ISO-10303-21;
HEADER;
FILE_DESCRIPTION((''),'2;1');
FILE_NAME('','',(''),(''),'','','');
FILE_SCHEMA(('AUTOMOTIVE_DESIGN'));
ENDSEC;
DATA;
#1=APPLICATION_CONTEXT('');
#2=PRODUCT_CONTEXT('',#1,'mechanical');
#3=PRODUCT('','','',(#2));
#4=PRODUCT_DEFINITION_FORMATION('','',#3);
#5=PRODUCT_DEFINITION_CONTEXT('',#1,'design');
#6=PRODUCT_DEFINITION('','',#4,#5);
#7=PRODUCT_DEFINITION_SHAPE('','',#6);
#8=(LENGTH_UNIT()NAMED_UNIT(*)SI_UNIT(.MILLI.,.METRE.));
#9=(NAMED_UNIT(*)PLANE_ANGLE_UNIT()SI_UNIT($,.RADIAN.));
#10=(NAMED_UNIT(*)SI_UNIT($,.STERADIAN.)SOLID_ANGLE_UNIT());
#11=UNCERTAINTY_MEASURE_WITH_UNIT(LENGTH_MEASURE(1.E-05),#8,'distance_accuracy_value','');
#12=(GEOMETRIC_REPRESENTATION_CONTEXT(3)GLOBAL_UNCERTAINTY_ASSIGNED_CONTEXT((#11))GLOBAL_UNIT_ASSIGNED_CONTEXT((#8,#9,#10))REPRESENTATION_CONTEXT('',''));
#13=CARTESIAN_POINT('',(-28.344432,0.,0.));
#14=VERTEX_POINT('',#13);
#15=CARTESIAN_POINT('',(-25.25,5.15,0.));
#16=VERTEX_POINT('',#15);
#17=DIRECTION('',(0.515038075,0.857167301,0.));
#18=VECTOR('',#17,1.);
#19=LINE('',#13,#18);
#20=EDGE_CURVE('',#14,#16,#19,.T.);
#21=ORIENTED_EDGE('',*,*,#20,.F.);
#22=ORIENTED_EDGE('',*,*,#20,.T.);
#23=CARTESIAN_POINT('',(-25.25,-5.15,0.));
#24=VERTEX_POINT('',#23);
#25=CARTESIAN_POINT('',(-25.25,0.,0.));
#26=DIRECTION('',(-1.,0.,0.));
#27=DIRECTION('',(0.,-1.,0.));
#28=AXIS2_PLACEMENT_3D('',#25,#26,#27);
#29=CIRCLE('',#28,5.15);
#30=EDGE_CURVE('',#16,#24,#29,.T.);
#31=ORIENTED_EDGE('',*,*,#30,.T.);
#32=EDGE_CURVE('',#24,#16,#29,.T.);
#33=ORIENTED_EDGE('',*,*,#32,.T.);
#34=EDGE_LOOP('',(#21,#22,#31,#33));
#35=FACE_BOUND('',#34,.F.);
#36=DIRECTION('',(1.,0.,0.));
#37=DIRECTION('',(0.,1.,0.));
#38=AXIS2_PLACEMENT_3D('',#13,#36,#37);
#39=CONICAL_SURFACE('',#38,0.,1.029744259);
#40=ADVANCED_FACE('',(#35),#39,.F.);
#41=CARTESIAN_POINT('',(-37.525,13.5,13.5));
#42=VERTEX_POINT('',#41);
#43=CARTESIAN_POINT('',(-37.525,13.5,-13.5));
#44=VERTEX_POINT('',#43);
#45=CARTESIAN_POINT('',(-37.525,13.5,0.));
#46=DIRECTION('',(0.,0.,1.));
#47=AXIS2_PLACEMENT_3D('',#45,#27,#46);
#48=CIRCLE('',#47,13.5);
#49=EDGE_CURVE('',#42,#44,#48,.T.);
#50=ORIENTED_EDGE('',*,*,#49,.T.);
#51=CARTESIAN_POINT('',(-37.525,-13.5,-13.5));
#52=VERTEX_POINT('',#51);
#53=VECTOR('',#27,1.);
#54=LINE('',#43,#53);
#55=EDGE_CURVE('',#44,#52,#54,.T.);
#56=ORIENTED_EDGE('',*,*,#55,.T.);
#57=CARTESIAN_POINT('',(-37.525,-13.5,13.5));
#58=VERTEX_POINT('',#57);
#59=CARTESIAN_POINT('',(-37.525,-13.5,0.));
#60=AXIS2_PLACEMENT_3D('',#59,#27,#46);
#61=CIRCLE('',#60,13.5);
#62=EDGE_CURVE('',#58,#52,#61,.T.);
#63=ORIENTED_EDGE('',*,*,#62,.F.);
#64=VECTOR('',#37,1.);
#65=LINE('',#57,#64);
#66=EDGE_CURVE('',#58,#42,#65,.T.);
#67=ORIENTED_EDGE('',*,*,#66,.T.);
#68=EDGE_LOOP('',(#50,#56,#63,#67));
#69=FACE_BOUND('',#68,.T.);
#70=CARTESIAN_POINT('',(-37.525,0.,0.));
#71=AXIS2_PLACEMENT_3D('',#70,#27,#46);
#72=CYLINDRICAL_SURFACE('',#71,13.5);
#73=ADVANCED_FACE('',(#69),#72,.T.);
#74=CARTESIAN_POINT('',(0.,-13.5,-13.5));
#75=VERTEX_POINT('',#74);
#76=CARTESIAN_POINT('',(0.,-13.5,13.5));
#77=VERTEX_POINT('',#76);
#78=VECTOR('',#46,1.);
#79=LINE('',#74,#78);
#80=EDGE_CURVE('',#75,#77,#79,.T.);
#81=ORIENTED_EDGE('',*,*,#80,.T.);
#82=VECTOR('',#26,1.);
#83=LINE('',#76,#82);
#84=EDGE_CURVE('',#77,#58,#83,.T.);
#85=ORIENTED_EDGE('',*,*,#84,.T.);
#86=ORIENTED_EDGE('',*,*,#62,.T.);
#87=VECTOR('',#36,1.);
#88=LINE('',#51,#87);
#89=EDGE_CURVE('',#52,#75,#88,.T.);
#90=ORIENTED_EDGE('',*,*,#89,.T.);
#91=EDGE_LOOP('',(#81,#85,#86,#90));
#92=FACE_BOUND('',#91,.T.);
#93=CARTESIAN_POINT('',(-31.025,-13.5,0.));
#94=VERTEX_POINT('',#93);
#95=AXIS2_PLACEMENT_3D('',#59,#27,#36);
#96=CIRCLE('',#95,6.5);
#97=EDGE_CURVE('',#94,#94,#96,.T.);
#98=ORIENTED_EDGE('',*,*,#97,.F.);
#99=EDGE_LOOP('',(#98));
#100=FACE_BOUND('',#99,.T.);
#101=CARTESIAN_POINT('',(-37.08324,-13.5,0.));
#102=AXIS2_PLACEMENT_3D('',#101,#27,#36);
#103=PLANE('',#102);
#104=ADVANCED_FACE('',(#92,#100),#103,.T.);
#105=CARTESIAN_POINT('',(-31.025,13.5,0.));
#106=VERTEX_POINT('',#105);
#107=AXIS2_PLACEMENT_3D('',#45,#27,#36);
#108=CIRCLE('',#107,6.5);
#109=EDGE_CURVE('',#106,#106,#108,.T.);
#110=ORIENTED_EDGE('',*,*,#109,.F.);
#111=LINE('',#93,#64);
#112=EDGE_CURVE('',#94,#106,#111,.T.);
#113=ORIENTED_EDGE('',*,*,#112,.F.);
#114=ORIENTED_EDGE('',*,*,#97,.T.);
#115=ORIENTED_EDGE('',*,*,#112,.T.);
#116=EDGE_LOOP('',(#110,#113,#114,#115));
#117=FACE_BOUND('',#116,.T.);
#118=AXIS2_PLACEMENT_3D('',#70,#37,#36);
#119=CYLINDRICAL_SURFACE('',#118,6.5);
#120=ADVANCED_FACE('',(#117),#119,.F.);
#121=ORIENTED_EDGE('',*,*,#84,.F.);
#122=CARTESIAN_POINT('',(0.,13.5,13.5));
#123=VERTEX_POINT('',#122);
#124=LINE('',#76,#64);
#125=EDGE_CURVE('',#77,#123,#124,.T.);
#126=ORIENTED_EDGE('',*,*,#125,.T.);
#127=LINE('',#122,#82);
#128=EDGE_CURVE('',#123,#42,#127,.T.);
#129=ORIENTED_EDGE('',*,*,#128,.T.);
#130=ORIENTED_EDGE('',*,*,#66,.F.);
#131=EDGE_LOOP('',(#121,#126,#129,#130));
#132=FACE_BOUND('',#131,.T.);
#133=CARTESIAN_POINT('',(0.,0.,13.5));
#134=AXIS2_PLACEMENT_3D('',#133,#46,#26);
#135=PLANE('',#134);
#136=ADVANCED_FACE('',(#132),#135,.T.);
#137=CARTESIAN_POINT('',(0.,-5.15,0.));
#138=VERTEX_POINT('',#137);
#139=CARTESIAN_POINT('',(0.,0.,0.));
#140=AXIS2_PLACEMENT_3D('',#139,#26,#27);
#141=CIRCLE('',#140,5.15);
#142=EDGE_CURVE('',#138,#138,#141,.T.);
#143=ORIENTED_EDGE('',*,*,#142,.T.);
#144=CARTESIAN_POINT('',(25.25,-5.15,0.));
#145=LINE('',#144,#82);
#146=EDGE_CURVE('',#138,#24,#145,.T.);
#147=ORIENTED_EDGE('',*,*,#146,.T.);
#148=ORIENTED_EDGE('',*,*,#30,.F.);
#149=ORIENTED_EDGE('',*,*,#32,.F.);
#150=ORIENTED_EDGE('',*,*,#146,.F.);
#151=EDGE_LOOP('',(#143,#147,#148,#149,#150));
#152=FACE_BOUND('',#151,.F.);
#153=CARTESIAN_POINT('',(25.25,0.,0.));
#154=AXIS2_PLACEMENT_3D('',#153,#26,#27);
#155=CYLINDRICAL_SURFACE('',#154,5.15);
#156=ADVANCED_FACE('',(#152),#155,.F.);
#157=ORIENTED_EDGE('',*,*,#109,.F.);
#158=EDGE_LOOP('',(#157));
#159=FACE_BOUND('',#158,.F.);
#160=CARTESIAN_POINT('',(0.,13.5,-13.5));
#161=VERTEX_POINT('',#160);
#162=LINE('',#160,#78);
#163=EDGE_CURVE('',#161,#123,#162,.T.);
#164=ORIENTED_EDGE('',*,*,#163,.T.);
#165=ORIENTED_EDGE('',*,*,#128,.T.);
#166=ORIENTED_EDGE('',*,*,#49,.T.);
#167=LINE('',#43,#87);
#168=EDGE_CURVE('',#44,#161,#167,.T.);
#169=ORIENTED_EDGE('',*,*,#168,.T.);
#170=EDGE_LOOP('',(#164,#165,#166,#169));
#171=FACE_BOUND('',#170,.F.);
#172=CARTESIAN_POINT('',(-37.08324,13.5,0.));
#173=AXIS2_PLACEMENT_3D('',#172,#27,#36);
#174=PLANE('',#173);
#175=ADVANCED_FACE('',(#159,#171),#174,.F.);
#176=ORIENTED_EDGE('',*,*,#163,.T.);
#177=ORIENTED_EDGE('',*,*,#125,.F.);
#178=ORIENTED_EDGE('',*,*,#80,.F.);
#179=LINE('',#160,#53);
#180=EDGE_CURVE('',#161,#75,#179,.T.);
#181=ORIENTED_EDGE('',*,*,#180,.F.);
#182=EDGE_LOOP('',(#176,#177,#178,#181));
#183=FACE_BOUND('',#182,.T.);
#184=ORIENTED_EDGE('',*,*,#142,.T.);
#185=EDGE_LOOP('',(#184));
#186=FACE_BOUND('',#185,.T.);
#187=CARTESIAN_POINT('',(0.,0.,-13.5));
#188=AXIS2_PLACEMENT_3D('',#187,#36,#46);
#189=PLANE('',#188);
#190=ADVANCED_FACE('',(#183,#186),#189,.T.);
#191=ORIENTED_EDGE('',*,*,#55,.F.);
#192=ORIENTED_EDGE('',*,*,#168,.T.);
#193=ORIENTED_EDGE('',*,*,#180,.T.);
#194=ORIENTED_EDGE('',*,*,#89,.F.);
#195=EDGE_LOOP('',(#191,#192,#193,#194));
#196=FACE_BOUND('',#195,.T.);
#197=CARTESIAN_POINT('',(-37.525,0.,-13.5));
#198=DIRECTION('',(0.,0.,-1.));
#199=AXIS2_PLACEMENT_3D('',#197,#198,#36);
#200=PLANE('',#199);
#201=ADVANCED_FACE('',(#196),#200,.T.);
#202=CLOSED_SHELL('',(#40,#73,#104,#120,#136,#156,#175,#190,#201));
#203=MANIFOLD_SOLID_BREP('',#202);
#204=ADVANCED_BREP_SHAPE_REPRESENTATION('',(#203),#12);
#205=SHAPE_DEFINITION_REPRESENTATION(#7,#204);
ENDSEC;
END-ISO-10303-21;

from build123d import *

# Parameters (mm, degrees)
F0_R     = 6.5
F1_DEPTH = 13.5
F3_D     = 10.3
F3_DEPTH = 25.25
F3_TIP   = 3.094432188


with BuildPart() as f1:
    # F0 (on Front) → F1 (new body, symmetric)
    with BuildSketch(Plane.XZ):
        with BuildLine():
            ThreePointArc((-37.525, -13.5), (-27.979058454, -9.545941546), (-24.025, 0))
            ThreePointArc((-24.025, 0), (-27.979058454, 9.545941546), (-37.525, 13.5))
            ThreePointArc((-37.525, 13.5), (-51.025, 0), (-37.525, -13.5))
        make_face()
        with Locations((-37.525, 0)):
            Circle(F0_R, mode=Mode.SUBTRACT)
        with BuildLine():
            ThreePointArc((-37.525, 13.5), (-27.979058454, 9.545941546), (-24.025, 0))
            ThreePointArc((-24.025, 0), (-27.979058454, -9.545941546), (-37.525, -13.5))
            Line((-37.525, -13.5), (0, -13.5))
            Line((0, -13.5), (0, 13.5))
            Line((0, 13.5), (-37.525, 13.5))
        make_face()
    extrude(amount=F1_DEPTH, both=True)

    # F3
    with Locations(Plane.YZ):
        with Locations((0, 0)):
            Hole(F3_D / 2, depth=F3_DEPTH)
            with Locations((0, 0, -(F3_DEPTH + F3_TIP / 2))):  # 118° drill point
                Cone(0, F3_D / 2, F3_TIP, mode=Mode.SUBTRACT)


solid = f1.part
